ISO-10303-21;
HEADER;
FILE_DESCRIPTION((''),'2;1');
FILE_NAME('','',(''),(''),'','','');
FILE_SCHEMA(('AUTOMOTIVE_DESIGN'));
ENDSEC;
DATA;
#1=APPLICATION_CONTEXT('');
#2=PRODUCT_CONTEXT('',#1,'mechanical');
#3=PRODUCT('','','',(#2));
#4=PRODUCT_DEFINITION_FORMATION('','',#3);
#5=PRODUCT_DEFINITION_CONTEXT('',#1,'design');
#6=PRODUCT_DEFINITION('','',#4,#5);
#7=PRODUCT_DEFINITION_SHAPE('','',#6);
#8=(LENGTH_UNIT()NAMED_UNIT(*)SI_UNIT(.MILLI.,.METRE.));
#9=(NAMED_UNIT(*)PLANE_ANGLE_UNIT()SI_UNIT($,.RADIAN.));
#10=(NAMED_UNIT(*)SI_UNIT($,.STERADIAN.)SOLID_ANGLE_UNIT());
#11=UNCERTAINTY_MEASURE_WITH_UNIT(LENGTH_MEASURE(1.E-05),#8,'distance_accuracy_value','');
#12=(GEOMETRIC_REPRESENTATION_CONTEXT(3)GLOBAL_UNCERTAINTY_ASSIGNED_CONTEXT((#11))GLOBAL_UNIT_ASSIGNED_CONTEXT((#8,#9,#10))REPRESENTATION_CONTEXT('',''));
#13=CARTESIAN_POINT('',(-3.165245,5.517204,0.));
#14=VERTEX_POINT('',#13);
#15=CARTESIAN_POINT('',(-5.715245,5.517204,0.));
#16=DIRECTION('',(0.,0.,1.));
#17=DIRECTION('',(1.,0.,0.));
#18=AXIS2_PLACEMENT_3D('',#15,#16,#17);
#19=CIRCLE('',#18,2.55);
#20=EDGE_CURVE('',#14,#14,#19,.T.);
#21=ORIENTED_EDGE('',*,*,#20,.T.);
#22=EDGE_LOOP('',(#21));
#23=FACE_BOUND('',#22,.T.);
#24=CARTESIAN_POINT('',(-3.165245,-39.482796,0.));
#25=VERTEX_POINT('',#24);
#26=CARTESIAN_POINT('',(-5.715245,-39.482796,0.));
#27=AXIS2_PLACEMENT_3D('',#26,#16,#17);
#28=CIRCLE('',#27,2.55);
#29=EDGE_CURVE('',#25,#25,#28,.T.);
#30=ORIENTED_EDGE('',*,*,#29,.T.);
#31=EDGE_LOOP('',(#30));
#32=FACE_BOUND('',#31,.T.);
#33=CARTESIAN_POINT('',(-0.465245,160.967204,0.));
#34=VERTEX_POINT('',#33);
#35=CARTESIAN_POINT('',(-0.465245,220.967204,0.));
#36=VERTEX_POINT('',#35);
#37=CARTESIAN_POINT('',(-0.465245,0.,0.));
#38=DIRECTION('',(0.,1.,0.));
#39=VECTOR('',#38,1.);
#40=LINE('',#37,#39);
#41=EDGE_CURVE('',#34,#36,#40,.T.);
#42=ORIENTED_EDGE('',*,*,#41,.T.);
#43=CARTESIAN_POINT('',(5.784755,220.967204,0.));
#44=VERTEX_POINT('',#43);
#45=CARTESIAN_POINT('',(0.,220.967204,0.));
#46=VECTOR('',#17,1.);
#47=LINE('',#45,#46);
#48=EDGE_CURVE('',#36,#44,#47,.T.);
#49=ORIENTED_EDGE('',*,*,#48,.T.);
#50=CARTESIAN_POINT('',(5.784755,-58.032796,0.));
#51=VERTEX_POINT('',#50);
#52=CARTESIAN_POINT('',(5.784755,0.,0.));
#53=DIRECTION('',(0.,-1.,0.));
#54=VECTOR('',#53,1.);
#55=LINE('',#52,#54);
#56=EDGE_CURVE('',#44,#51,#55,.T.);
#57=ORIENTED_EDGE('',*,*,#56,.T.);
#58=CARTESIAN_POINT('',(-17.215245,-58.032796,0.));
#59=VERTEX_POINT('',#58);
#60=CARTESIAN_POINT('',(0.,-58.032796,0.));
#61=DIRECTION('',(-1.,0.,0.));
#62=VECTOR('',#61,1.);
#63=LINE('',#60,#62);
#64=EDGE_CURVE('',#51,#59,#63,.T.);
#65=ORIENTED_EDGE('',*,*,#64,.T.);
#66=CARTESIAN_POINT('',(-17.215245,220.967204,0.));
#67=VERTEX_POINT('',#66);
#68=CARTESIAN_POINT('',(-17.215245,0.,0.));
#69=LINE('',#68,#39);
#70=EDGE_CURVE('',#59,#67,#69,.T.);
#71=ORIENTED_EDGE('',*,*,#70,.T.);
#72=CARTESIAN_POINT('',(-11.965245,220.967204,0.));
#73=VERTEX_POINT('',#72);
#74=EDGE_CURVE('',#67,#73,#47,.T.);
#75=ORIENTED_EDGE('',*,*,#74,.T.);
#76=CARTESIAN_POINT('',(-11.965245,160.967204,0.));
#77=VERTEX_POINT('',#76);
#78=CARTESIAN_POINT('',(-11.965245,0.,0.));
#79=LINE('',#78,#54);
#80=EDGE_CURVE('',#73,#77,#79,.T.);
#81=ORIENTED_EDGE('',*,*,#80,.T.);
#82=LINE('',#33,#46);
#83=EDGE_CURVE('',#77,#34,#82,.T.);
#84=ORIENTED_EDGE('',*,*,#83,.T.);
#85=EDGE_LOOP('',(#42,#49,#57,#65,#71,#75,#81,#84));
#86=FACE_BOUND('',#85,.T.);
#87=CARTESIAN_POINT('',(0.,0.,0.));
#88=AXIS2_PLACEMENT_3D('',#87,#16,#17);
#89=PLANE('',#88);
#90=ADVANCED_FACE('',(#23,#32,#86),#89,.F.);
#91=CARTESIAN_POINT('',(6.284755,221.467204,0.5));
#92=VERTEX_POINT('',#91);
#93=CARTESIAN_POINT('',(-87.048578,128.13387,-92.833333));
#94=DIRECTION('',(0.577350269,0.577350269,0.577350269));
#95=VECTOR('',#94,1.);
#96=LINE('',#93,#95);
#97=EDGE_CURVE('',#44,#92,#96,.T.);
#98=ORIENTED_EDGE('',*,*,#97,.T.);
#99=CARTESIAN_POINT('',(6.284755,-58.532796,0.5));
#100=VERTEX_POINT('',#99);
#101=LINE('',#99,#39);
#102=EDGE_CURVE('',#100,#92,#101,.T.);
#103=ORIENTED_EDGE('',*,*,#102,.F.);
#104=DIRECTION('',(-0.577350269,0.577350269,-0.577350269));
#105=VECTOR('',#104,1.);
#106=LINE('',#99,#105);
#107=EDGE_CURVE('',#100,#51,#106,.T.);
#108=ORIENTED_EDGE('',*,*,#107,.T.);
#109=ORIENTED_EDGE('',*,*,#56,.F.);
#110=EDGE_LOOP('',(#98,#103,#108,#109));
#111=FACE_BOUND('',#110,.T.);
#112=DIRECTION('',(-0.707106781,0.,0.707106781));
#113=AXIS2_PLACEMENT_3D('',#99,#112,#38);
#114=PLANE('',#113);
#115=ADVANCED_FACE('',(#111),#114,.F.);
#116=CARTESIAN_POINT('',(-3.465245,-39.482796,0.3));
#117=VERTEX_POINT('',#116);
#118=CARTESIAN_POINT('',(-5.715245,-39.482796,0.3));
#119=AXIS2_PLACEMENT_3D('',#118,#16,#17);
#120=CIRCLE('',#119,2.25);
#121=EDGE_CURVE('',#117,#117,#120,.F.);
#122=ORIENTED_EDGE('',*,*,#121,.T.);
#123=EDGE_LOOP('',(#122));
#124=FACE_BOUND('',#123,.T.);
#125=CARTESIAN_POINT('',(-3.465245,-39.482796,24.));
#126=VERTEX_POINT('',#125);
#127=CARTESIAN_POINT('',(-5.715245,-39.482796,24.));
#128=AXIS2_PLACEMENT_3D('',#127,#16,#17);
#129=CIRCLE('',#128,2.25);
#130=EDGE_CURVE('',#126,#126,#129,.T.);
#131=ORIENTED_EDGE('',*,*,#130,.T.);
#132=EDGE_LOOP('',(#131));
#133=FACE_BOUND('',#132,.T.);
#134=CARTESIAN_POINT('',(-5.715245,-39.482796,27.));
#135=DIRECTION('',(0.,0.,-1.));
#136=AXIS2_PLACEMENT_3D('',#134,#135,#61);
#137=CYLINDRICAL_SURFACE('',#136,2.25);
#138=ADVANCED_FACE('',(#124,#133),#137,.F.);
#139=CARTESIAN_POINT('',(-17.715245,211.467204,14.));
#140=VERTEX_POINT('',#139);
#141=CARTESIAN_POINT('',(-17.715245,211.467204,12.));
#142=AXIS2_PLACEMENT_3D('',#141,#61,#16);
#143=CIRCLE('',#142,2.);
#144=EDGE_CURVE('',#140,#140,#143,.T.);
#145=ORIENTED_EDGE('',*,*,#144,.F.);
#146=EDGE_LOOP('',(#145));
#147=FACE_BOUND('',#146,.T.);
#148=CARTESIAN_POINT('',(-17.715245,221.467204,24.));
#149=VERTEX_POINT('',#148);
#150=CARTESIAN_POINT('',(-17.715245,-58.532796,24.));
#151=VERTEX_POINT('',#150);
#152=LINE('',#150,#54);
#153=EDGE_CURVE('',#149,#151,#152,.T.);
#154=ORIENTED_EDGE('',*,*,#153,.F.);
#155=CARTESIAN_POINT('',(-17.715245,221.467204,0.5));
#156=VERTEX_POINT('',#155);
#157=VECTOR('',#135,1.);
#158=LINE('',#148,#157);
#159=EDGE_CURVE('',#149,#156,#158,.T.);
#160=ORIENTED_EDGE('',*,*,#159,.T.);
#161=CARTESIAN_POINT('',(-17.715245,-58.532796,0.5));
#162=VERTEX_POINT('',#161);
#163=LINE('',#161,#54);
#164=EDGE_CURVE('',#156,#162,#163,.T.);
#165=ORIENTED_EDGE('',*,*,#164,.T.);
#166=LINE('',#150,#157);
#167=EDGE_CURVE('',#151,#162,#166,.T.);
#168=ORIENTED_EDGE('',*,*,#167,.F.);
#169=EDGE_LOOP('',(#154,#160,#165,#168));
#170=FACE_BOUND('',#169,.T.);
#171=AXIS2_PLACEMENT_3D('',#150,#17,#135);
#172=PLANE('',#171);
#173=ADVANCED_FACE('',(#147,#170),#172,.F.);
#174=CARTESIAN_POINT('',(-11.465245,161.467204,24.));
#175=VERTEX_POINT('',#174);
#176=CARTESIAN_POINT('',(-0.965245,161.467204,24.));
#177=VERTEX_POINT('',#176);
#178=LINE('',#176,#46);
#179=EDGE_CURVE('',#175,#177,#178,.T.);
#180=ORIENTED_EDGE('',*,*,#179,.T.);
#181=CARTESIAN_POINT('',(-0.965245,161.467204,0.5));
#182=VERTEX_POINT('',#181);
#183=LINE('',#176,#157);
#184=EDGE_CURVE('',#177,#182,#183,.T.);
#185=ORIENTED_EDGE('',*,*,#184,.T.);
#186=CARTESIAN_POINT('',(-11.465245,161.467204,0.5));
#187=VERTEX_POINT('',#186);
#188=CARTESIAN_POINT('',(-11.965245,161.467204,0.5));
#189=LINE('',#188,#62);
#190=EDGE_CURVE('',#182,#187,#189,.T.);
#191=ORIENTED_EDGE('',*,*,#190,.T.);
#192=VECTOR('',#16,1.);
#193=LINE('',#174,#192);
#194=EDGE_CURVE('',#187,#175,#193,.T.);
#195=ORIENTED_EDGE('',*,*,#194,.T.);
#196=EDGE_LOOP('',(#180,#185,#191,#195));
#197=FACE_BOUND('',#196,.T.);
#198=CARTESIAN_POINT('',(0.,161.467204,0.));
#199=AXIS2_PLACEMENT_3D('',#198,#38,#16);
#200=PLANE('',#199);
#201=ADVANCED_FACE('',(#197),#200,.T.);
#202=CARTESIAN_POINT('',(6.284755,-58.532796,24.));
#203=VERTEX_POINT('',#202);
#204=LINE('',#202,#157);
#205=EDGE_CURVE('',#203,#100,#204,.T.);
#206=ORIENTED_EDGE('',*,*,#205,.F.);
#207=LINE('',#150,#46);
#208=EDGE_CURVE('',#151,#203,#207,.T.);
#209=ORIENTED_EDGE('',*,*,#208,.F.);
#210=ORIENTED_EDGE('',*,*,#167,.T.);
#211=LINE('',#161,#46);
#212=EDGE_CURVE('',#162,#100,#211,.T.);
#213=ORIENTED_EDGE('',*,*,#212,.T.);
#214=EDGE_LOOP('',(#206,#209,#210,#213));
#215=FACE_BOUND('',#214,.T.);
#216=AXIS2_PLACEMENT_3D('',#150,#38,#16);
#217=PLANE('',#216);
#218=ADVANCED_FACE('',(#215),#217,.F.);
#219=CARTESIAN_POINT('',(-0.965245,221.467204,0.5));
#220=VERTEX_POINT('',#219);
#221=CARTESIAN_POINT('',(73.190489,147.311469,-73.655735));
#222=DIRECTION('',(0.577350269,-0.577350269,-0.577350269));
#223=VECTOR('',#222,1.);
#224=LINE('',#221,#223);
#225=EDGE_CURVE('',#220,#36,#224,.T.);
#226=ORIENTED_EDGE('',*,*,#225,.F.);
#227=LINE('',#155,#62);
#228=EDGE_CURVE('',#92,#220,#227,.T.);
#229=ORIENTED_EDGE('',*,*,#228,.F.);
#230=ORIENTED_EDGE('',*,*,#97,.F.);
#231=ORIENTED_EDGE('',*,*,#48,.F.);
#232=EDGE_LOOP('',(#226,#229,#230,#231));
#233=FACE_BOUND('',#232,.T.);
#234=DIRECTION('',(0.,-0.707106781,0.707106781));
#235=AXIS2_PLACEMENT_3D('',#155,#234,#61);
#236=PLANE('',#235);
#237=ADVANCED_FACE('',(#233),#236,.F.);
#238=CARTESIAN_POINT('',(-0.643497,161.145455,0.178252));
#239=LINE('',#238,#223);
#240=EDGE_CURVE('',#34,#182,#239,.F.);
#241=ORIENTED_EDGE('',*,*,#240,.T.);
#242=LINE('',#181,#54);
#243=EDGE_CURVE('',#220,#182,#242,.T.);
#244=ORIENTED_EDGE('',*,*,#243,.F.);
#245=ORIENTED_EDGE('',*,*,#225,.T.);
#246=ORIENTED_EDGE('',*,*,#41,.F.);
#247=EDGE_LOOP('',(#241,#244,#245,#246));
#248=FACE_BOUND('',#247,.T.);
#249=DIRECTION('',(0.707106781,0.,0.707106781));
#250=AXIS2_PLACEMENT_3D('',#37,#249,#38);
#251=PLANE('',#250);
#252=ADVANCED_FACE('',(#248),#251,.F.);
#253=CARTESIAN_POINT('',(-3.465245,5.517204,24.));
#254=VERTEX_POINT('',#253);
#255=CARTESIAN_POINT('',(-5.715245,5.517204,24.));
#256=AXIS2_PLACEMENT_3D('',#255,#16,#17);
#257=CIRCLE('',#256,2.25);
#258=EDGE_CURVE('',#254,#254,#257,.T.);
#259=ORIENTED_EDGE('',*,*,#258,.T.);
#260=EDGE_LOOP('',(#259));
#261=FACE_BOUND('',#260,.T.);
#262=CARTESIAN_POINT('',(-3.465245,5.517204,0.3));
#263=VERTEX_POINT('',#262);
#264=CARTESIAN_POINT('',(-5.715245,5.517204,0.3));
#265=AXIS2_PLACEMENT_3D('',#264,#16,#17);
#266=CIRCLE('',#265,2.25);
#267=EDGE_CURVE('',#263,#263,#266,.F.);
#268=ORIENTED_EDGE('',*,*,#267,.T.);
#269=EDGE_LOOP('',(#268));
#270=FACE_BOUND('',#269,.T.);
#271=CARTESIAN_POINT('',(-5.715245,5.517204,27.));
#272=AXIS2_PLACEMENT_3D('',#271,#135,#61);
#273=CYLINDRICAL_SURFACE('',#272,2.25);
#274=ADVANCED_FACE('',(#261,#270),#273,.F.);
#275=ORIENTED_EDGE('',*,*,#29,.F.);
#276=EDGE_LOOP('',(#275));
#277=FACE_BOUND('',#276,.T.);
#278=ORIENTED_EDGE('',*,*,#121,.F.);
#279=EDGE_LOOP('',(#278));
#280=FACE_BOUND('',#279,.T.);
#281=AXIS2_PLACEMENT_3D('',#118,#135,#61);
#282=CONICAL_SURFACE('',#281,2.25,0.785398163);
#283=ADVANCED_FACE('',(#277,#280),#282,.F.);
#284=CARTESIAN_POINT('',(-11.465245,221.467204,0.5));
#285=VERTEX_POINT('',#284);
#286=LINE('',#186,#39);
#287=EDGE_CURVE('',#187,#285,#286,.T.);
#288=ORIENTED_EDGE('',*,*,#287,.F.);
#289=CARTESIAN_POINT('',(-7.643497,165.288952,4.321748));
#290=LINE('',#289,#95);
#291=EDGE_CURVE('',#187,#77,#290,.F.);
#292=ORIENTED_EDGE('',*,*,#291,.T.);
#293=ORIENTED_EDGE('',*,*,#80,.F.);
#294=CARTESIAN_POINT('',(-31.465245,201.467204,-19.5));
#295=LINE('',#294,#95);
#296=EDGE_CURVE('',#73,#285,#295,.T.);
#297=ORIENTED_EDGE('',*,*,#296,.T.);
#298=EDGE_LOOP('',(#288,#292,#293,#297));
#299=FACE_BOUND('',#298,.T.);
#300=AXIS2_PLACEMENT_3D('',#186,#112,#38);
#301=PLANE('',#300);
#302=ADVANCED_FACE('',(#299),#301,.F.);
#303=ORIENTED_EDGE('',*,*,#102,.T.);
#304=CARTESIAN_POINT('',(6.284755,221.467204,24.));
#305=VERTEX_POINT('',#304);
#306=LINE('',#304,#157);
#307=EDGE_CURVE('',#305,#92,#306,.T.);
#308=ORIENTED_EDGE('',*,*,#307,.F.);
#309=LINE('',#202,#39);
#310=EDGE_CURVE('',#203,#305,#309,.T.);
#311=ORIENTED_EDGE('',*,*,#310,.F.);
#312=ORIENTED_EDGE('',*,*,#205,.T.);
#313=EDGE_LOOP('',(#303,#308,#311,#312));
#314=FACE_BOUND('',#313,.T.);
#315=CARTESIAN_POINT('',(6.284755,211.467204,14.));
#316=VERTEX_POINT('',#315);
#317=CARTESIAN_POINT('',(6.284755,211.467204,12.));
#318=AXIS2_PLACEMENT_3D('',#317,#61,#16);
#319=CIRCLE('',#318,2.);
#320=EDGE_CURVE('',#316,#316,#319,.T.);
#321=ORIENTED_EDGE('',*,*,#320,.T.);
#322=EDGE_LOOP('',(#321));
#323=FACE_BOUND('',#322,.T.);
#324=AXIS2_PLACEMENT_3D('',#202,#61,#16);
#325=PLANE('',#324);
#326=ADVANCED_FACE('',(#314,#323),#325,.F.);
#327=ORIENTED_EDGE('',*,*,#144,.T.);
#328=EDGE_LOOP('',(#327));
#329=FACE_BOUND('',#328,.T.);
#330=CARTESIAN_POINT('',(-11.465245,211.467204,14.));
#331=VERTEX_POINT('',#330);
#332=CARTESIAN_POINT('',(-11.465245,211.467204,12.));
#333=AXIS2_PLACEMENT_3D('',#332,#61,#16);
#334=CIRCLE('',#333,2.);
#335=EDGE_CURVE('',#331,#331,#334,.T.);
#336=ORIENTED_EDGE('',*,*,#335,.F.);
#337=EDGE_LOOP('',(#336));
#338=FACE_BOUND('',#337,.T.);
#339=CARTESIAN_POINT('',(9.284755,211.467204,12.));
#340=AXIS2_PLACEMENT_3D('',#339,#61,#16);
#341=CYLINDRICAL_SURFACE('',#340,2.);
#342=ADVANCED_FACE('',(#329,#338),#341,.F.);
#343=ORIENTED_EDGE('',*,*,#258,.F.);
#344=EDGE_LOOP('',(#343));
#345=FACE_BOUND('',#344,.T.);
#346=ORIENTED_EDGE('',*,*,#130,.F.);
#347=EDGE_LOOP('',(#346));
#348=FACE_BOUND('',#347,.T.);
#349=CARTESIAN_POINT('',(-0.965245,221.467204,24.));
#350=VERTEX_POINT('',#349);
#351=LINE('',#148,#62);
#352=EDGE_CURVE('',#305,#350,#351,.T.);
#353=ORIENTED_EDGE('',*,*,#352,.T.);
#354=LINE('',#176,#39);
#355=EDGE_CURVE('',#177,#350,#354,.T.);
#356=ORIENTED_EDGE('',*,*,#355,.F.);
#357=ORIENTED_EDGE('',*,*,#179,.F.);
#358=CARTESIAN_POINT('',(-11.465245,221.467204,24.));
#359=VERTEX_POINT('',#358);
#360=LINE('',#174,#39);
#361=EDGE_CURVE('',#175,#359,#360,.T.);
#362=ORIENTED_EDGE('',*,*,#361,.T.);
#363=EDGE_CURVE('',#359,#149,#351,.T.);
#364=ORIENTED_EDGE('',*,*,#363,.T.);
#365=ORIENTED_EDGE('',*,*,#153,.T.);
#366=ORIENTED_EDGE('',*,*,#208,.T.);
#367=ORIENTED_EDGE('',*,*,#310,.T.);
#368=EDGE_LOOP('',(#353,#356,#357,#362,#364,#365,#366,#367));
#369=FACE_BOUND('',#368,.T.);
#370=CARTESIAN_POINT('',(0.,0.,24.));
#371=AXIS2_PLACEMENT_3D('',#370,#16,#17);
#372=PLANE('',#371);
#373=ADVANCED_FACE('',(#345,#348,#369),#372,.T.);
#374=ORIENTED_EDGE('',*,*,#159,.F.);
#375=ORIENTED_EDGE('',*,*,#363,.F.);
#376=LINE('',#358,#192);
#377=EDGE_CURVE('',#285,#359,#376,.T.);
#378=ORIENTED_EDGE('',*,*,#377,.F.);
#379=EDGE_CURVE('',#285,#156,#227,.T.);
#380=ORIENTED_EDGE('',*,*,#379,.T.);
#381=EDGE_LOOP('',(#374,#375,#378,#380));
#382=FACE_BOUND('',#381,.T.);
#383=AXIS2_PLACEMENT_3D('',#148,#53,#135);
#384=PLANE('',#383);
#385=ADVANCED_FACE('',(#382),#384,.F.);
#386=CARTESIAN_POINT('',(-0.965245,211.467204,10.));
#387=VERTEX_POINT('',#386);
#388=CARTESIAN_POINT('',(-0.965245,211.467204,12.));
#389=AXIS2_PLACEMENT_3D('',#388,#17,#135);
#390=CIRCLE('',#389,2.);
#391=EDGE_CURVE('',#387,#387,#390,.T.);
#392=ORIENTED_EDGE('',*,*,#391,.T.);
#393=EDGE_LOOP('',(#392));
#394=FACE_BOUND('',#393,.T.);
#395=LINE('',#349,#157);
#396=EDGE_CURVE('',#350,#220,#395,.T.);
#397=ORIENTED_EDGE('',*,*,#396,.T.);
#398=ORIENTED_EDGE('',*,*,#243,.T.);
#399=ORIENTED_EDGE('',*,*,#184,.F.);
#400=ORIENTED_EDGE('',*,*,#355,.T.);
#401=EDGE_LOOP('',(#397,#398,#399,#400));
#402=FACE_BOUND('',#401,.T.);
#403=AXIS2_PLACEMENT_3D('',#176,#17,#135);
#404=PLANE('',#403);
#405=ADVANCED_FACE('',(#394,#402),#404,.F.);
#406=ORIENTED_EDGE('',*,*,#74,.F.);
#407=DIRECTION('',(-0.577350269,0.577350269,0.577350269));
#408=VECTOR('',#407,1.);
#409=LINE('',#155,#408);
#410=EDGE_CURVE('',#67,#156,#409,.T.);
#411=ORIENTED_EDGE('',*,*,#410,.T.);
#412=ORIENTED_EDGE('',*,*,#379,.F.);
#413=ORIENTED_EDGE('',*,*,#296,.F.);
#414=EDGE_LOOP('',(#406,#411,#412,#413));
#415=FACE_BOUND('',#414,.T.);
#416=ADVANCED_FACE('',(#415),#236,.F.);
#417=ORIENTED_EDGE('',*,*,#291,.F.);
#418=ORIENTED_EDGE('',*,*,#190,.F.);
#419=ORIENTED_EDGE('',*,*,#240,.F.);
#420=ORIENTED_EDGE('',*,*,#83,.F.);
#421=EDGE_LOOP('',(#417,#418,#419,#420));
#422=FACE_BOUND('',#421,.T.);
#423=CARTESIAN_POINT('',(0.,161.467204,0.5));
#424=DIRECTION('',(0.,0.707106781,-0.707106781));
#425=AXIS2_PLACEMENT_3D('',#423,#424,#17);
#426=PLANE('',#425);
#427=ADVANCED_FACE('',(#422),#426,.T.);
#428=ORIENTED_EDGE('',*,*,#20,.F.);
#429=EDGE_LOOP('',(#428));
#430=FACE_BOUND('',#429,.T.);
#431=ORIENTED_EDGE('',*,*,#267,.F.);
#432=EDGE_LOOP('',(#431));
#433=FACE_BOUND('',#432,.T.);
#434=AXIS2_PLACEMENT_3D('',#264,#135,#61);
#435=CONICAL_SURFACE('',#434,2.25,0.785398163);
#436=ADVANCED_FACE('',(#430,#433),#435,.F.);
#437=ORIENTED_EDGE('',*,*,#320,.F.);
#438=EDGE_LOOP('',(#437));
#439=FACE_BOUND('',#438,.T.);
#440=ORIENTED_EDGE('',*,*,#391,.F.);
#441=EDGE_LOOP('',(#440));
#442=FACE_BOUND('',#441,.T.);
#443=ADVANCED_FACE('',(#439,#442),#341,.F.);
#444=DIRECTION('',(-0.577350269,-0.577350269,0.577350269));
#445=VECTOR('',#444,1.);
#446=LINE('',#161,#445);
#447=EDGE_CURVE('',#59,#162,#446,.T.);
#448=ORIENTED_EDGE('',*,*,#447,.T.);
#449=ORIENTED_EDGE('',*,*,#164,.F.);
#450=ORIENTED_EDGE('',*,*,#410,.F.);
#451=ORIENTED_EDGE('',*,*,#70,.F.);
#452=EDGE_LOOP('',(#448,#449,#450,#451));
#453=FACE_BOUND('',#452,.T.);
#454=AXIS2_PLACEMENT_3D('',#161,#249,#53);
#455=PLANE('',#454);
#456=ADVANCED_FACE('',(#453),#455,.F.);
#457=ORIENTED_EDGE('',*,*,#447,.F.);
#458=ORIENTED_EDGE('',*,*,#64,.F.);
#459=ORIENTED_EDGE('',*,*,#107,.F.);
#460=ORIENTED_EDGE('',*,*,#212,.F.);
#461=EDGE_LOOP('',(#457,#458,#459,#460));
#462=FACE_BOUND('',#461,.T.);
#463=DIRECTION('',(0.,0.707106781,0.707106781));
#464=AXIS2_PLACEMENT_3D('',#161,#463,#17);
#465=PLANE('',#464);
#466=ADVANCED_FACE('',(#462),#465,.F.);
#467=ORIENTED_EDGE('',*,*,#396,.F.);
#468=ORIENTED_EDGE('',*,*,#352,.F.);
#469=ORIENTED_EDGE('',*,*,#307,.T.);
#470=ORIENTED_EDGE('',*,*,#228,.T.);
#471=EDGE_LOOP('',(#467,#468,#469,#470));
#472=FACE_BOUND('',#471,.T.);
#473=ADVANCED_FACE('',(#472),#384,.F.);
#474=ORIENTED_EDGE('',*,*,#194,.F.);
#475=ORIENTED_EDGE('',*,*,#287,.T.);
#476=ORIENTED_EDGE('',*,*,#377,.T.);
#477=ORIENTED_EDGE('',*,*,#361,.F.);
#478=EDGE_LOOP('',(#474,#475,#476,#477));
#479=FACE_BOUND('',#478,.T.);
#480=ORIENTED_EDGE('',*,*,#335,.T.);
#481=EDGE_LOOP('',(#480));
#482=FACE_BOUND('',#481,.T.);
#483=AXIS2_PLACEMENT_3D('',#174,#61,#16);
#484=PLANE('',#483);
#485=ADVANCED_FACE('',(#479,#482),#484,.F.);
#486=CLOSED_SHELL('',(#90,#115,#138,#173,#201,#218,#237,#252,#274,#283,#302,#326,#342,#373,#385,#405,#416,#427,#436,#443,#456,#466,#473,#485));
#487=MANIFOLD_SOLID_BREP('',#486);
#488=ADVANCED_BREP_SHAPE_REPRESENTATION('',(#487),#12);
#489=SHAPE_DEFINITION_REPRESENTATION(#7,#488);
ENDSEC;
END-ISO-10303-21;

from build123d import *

# Parameters (mm, degrees)
ESQUISSE1_W        = 280
ESQUISSE1_H        = 24
MAIN_DEPTH         = 24
ESQUISSE3_W        = 10.5
ESQUISSE3_H        = 24
FOURCHE_DEPTH      = 60
ESQUISSE5_R        = 2
TROU_FOURCHE_DEPTH = 27
ESQUISSE6_R        = 2.25
TROU_EQUERRE_DEPTH = 27
CHANFREIN1_SIZE    = 0.5
CHANFREIN2_SIZE    = 0.5
CHANFREIN3_SIZE    = 0.5
CHANFREIN4_SIZE    = 0.5
CHANFREIN5_SIZE    = 0.5
CHANFREIN6_SIZE    = 0.5
CHANFREIN7_SIZE    = 0.5
CHANFREIN8_SIZE    = 0.3
CHANFREIN9_SIZE    = 0.3
CHANFREIN11_SIZE   = 0.5


with BuildPart() as part:
    # Esquisse1 → main (new body)
    with BuildSketch(Plane(origin=(0, 0, 0), x_dir=(0, 1, 0), z_dir=(0, 0, 1))):
        with Locations((81.467203596, 5.71524514)):
            Rectangle(ESQUISSE1_W, ESQUISSE1_H)
    extrude(amount=MAIN_DEPTH)

    # Esquisse3 → fourche (cut)
    with BuildSketch(Plane(origin=(0, 221.467203596, 0), x_dir=(-1, 0, 0), z_dir=(0, 1, 0))):
        with Locations((6.21524514, 12)):
            Rectangle(ESQUISSE3_W, ESQUISSE3_H)
    extrude(amount=-FOURCHE_DEPTH, mode=Mode.SUBTRACT)

    # Esquisse5 → trou_fourche (cut)
    with BuildSketch(Plane(origin=(-17.71524514, 0, 0), x_dir=(0, -1, 0), z_dir=(-1, 0, 0))):
        with Locations(Location((-211.467203596, 12, 0), (0, 0, 90))):
            Circle(ESQUISSE5_R)
    extrude(amount=-TROU_FOURCHE_DEPTH, mode=Mode.SUBTRACT)

    # Esquisse6 → trou_equerre (cut)
    with BuildSketch(Plane(origin=(0, 0, 0), x_dir=(1, 0, 0), z_dir=(0, 0, -1))):
        with Locations(Location((-5.71524514, 39.482796404, 0), (0, 0, 180))):
            Circle(ESQUISSE6_R)
        with Locations(Location((-5.71524514, -5.517203596, 0), (0, 0, 180))):
            Circle(ESQUISSE6_R)
    extrude(amount=-TROU_EQUERRE_DEPTH, mode=Mode.SUBTRACT)

    # Chanfrein1
    chanfrein1_edges = [part.edges().sort_by_distance(p)[0] for p in [
        (6.28475486, 81.467203596, 0),
    ]]
    chamfer(chanfrein1_edges, length=CHANFREIN1_SIZE)

    # Chanfrein2
    chanfrein2_edges = [part.edges().sort_by_distance(p)[0] for p in [
        (-11.46524514, 191.467203596, 0),
    ]]
    chamfer(chanfrein2_edges, length=CHANFREIN2_SIZE)

    # Chanfrein3
    chanfrein3_edges = [part.edges().sort_by_distance(p)[0] for p in [
        (-0.96524514, 191.467203596, 0),
    ]]
    chamfer(chanfrein3_edges, length=CHANFREIN3_SIZE)

    # Chanfrein4
    chanfrein4_edges = [part.edges().sort_by_distance(p)[0] for p in [
        (-14.84024514, 221.467203596, 0),
    ]]
    chamfer(chanfrein4_edges, length=CHANFREIN4_SIZE)

    # Chanfrein5
    chanfrein5_edges = [part.edges().sort_by_distance(p)[0] for p in [
        (2.65975486, 221.467203596, 0),
    ]]
    chamfer(chanfrein5_edges, length=CHANFREIN5_SIZE)

    # Chanfrein6
    chanfrein6_edges = [part.edges().sort_by_distance(p)[0] for p in [
        (-6.21524514, 161.467203596, 0),
    ]]
    chamfer(chanfrein6_edges, length=CHANFREIN6_SIZE)

    # Chanfrein7
    chanfrein7_edges = [part.edges().sort_by_distance(p)[0] for p in [
        (-17.71524514, 81.217203596, 0),
    ]]
    chamfer(chanfrein7_edges, length=CHANFREIN7_SIZE)

    # Chanfrein8
    chanfrein8_edges = [part.edges().sort_by_distance(p)[0] for p in [
        (-3.46524514, 5.517203596, 0),
    ]]
    chamfer(chanfrein8_edges, length=CHANFREIN8_SIZE)

    # Chanfrein9
    chanfrein9_edges = [part.edges().sort_by_distance(p)[0] for p in [
        (-3.46524514, -39.482796404, 0),
    ]]
    chamfer(chanfrein9_edges, length=CHANFREIN9_SIZE)

    # Chanfrein11
    chanfrein11_edges = [part.edges().sort_by_distance(p)[0] for p in [
        (-5.71524514, -58.532796404, 0),
    ]]
    chamfer(chanfrein11_edges, length=CHANFREIN11_SIZE)


solid = part.part
